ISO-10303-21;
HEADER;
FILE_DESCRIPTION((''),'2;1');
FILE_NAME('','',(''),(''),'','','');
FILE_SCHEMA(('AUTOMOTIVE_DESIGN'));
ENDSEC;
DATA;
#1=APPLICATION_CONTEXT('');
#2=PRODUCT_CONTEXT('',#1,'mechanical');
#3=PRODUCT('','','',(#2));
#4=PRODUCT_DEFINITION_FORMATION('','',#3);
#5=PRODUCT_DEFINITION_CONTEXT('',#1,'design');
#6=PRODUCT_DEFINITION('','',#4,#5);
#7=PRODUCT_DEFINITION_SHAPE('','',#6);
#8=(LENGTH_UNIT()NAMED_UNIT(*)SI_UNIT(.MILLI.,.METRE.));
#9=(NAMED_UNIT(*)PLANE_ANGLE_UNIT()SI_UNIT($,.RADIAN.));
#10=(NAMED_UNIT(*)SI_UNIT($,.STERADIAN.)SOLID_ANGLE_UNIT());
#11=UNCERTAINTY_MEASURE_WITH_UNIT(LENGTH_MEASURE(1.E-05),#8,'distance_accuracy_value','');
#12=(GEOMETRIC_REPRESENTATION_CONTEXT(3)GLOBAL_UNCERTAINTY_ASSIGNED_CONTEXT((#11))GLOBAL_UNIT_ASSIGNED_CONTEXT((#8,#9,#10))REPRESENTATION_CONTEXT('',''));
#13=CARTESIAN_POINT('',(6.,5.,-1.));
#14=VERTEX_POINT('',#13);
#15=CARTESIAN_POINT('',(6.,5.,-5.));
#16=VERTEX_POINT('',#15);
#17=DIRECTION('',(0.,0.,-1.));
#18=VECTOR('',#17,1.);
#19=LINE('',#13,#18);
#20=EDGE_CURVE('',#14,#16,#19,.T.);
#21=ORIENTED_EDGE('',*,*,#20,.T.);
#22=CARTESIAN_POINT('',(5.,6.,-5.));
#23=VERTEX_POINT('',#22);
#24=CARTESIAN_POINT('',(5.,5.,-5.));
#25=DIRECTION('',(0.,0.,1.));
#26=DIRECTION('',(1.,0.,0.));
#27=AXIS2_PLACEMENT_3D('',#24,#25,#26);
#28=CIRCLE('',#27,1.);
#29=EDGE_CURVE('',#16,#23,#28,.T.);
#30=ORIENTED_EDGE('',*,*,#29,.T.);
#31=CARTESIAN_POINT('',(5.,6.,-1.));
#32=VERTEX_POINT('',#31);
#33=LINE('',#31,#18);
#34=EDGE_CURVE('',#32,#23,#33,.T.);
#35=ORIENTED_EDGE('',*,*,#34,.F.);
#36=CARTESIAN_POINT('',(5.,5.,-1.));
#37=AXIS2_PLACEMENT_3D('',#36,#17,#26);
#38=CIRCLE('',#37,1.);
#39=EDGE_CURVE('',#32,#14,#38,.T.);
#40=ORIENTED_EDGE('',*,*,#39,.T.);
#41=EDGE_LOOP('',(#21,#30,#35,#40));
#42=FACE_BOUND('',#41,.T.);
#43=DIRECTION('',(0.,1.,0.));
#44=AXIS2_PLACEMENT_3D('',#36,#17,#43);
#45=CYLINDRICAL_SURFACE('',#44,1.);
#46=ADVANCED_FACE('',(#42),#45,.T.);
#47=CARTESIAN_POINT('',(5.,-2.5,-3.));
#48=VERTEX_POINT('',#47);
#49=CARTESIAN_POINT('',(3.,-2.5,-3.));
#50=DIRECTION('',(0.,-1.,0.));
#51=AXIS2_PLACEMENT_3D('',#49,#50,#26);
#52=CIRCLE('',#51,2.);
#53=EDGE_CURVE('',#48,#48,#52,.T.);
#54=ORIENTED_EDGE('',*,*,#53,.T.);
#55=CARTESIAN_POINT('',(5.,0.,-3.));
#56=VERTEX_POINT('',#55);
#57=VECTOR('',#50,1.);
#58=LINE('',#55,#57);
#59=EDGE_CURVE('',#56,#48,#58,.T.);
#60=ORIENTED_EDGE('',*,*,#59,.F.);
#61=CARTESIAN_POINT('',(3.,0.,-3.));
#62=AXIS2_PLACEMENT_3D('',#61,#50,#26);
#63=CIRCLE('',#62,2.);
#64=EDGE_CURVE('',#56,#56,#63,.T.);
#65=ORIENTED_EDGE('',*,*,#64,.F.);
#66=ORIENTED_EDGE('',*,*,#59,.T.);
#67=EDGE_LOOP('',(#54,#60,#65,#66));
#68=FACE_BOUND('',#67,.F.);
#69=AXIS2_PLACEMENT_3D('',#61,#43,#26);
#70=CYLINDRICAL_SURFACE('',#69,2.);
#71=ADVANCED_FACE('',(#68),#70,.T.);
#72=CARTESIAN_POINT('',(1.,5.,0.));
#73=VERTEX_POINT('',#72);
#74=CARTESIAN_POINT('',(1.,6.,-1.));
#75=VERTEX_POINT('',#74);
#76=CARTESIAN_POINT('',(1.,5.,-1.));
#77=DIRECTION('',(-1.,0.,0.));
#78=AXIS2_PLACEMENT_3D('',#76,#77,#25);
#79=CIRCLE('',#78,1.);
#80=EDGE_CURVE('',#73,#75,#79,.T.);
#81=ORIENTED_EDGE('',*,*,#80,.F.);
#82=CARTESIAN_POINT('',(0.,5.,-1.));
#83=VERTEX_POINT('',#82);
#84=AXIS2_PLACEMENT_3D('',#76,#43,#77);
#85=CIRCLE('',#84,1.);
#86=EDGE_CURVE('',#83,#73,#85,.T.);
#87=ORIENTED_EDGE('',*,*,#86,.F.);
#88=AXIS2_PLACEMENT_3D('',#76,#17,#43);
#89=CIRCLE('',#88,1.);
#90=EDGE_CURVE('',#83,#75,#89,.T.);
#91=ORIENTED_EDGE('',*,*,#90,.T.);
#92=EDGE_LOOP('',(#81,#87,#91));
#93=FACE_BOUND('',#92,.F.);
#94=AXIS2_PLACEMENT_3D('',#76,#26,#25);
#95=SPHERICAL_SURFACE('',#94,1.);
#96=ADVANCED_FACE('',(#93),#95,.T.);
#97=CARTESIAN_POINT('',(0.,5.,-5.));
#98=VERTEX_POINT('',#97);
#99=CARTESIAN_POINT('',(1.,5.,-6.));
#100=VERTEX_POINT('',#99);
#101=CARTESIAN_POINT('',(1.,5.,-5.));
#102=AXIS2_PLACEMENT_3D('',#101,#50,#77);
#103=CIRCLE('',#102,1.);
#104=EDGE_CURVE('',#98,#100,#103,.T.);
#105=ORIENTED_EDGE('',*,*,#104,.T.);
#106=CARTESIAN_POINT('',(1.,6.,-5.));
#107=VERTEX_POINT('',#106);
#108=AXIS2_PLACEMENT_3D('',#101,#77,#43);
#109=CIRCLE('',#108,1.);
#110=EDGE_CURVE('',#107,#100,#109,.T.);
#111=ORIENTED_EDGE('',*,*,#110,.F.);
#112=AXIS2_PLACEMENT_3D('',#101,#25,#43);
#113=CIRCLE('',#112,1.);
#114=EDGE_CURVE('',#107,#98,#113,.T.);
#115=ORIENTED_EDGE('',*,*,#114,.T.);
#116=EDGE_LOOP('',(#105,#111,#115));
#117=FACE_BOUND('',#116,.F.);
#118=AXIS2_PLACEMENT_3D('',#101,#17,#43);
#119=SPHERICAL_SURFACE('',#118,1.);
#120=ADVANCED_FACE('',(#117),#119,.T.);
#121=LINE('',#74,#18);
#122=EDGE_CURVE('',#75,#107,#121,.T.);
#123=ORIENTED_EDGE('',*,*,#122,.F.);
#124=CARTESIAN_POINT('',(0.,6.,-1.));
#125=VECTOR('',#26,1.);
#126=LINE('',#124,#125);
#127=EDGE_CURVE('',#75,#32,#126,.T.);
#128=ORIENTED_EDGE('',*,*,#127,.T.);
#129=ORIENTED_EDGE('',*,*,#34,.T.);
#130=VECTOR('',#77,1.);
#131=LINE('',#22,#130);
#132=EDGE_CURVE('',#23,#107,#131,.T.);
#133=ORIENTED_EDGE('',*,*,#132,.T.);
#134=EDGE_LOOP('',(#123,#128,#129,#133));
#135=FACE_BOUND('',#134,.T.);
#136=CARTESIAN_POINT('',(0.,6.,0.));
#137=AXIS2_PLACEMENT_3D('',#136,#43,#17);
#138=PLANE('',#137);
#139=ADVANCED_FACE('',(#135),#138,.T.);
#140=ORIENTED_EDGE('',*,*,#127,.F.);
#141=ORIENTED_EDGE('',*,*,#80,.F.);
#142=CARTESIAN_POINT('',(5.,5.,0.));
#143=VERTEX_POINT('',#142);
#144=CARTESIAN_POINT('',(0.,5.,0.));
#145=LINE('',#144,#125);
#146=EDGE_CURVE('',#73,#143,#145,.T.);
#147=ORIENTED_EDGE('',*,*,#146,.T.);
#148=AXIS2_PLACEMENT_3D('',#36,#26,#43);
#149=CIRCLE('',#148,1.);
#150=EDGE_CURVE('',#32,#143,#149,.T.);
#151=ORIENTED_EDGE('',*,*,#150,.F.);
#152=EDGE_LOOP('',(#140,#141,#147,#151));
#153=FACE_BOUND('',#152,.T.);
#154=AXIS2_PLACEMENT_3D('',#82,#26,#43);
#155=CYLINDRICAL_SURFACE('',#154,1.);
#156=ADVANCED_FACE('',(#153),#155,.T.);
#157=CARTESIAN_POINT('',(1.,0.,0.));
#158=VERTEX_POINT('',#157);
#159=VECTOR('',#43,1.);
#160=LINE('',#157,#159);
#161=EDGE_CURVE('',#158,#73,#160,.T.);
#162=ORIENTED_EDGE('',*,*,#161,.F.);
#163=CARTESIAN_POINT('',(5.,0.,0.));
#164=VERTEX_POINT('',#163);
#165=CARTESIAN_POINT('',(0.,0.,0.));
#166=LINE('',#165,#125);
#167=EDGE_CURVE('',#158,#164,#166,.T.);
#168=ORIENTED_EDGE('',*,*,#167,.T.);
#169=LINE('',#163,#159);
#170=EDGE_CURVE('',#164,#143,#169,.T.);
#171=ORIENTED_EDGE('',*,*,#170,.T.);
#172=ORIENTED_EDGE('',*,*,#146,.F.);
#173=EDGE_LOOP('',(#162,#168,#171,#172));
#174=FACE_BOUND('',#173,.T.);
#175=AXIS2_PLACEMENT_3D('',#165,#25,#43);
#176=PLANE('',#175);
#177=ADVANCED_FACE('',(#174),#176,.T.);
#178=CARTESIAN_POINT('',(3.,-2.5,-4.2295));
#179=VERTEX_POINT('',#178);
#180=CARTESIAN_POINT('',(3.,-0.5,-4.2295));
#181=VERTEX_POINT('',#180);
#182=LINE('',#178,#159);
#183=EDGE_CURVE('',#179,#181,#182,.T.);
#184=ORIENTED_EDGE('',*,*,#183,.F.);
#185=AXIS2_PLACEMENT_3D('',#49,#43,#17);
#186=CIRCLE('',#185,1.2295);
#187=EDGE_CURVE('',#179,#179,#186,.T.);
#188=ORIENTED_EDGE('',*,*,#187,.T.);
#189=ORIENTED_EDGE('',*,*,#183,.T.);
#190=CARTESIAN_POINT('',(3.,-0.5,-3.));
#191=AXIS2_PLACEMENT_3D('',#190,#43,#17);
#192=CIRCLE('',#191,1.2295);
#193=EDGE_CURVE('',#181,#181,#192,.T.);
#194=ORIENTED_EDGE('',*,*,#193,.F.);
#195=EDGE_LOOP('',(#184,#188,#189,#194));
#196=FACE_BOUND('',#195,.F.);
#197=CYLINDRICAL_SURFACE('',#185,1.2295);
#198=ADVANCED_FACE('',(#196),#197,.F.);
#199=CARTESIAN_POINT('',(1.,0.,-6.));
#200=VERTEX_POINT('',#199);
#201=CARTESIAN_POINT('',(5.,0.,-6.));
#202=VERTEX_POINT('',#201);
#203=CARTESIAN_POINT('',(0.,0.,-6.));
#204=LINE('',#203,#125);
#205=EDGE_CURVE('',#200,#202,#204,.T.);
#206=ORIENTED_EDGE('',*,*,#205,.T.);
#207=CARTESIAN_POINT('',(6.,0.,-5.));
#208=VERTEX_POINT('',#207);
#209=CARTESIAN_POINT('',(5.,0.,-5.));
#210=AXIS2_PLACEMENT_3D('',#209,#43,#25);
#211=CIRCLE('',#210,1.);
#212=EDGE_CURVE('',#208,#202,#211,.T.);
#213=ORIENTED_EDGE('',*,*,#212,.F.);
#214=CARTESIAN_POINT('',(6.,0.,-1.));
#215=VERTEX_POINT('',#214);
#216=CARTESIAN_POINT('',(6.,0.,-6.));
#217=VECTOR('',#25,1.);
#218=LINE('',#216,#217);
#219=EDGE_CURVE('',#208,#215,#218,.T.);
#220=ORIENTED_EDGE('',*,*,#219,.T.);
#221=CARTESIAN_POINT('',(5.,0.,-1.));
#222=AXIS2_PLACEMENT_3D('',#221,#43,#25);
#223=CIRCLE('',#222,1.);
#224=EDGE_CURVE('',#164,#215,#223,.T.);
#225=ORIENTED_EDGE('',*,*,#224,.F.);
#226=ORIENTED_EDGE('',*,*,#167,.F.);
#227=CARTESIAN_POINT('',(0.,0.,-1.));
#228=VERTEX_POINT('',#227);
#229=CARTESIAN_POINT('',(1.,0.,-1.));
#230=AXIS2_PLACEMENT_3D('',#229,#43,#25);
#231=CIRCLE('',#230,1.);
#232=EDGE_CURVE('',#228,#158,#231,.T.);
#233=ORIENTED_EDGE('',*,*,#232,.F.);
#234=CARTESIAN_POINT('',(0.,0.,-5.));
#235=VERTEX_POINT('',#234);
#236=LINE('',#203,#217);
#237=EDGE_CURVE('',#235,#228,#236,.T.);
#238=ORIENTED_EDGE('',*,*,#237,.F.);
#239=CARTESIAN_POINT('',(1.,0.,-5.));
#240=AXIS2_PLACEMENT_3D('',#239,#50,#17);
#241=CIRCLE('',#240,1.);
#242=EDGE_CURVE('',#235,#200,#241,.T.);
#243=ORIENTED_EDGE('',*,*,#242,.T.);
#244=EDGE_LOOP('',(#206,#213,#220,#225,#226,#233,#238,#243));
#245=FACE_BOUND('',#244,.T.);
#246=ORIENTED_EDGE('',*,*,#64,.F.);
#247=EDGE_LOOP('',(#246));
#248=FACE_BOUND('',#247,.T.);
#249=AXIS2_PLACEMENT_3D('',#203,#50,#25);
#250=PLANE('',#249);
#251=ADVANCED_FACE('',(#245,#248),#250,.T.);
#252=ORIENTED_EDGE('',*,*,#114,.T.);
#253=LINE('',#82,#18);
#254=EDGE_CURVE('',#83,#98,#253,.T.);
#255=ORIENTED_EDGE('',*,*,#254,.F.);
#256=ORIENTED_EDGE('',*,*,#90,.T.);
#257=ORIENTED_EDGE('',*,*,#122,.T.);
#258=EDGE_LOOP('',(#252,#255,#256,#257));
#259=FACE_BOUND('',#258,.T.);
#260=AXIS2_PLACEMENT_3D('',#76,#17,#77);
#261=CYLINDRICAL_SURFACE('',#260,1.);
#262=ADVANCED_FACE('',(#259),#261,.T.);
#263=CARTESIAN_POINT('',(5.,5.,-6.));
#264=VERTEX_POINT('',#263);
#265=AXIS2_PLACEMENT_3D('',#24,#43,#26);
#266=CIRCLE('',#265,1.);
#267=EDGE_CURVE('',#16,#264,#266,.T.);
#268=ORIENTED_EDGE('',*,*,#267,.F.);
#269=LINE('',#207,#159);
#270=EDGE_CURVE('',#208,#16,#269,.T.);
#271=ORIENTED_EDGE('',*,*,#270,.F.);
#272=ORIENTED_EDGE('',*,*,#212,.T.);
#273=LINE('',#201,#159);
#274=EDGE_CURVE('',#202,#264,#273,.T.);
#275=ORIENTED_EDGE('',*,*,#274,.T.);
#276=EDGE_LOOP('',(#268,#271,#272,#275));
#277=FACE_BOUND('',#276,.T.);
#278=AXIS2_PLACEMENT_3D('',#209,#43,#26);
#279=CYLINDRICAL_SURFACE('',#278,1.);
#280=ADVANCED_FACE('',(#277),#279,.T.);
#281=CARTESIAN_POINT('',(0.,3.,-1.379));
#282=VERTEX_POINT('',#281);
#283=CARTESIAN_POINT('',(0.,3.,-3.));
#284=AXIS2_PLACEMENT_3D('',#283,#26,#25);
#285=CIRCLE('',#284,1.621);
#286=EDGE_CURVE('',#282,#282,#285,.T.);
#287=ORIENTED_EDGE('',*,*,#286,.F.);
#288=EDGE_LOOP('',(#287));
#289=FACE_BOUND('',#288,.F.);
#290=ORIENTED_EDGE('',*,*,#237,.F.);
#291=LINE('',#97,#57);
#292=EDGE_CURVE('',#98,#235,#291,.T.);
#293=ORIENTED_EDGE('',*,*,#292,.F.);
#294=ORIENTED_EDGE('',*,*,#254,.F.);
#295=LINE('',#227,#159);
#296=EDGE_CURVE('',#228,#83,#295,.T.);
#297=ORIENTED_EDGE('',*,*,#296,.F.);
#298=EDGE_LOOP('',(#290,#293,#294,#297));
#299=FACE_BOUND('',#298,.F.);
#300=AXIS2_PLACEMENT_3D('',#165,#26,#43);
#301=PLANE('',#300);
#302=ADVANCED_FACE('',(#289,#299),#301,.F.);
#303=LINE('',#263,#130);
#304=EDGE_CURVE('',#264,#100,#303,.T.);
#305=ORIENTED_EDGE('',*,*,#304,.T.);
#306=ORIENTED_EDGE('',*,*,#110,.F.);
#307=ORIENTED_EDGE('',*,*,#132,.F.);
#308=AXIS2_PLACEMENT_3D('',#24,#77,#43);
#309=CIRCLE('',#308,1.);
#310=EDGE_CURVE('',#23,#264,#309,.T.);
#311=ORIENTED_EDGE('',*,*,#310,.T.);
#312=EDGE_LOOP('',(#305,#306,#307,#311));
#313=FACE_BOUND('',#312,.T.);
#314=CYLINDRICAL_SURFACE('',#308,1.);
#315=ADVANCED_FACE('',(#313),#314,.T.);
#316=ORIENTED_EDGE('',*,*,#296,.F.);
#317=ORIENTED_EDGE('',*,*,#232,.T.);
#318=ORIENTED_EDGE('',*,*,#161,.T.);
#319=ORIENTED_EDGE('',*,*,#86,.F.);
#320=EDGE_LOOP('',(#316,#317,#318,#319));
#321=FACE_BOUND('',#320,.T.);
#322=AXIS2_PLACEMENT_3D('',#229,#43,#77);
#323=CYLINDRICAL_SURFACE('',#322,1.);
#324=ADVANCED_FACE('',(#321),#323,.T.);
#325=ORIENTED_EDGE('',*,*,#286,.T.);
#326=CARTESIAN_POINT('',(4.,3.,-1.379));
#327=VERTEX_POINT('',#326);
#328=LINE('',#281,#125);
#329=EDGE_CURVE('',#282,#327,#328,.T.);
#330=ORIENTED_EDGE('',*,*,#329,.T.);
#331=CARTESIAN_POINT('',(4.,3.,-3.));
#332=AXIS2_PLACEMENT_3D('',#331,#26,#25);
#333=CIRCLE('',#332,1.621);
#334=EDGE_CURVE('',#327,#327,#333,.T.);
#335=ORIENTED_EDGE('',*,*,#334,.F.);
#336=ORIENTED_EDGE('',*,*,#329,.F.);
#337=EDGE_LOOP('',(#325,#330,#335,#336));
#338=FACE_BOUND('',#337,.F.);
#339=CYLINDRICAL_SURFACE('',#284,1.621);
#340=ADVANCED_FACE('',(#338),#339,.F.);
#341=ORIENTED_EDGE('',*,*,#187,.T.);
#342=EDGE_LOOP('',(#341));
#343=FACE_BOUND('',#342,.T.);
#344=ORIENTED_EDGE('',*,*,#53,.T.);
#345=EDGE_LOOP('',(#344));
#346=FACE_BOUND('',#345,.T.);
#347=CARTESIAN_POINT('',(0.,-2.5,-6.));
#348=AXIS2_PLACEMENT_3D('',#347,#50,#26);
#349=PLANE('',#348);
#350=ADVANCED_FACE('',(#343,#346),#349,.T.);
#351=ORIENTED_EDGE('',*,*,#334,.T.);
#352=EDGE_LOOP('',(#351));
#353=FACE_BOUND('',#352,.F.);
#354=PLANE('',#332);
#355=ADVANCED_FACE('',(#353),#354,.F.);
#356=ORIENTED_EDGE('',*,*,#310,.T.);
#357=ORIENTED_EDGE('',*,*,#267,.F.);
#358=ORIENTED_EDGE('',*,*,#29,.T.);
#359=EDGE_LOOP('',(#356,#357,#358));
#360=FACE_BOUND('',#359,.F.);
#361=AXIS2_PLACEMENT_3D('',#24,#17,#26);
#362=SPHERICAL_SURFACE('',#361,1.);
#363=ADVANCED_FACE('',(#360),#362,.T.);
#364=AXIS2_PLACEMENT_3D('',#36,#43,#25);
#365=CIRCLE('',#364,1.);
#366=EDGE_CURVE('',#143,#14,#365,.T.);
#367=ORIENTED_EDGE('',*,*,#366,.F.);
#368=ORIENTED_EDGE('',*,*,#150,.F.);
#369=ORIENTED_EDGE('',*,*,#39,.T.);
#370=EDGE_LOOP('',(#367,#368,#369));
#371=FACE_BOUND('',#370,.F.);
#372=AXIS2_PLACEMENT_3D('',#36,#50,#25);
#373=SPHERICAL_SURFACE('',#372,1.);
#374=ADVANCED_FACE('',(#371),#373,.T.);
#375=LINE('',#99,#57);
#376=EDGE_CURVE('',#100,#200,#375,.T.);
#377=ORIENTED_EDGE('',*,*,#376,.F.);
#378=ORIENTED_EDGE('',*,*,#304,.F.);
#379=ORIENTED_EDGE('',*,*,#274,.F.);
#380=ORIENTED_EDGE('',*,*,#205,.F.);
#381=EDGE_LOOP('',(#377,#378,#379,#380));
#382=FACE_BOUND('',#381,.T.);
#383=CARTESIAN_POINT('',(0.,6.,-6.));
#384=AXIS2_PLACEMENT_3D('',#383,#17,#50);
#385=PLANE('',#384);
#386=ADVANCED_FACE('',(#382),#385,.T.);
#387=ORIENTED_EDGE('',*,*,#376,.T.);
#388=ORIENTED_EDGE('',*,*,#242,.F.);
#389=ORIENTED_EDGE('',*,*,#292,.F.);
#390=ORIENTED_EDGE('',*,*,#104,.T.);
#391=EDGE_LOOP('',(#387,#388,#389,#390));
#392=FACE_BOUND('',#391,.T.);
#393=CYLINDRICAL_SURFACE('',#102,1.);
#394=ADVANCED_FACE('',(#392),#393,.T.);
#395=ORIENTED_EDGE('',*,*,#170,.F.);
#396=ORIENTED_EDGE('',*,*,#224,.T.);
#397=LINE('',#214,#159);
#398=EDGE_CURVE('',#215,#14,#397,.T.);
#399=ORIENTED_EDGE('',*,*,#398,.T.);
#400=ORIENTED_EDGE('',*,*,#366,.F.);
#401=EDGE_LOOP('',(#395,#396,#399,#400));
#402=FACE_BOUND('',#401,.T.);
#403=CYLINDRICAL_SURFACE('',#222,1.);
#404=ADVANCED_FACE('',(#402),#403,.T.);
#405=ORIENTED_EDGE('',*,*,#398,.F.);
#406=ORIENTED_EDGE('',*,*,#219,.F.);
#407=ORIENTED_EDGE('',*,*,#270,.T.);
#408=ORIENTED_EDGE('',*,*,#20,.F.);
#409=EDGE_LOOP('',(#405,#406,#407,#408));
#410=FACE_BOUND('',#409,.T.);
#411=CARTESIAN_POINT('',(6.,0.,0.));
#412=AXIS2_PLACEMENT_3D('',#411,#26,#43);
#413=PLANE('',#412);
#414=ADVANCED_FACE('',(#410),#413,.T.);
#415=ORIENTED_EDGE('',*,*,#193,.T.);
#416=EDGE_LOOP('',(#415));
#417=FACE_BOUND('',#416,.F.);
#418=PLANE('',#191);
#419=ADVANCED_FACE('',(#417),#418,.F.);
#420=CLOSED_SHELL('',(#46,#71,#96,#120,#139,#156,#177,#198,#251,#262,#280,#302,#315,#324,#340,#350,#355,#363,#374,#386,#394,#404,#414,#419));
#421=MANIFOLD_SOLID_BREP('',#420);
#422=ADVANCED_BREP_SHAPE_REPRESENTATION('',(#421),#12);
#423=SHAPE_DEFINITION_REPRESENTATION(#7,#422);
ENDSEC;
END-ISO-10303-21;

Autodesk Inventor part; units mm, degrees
ref_plane "YZ Plane" through (0, 0, 0) normal (1, 0, 0) x (0, 1, 0)
ref_plane "XZ Plane" through (0, 0, 0) normal (0, 1, 0) x (-1, 0, 0)
ref_plane "XY Plane" through (0, 0, 0) normal (0, 0, 1) x (1, 0, 0)
sketch "Esboço1" plane through (0, 0, 0) normal (1, 0, 0) x (0, 1, 0)
  line L0 (0, 0) -> (6, 0)
  line L1 (6, 0) -> (6, -6)
  line L2 (6, -6) -> (0, -6)
  line L3 (0, -6) -> (0, 0)
  dimension "d0" = 6
  dimension "d1" = 6
extrude "Extrusão1" add sketch "Esboço1" along normal blind 6
sketch "Esboço2" plane through (0, 0, 0) normal (0, 0, 1) x (1, 0, 0)
  point P0 (0, 0)
sketch "Esboço3" plane through (6, 0, 0) normal (1, 0, 0) x (0, 0, -1)
  line L0 (0, 6) -> (0, 0) projected
  line L1 (6, 0) -> (6, 6) projected
sketch "Esboço4" plane through (0, 0, -6) normal (0, -1, 0) x (1, 0, 0)
  line L0 (0, 0) -> (0, 6) projected
  line L1 (6, 0) -> (6, 6) projected
  circle A0 centre (3, 3) radius 2
  dimension "d5" = 4
extrude "Extrusão2" add sketch "Esboço4" along normal blind 2.5
sketch "Esboço6" plane through (0, 0, 0) normal (-1, 0, 0) x (0, 0, 1)
  line L0 (-6, 6) -> (0, 6) projected
  line L1 (0, 0) -> (-6, 0) projected
  point P0 (-3, 3)
hole "Furo2" at (0, 3, -3) direction (1, 0, 0) diameter 3.242 depth 4 thread size "M4x0.7" class "6H" standard "ANSI Metric M Profile"
fillet "Arredondamento1" radius 1 1 edges at (6, 3, 0)
fillet "Arredondamento2" radius 1 3 edges at (6, 6, -3.5) (5.7071, 6, -0.2929) (2.5, 6, 0)
fillet "Arredondamento3" radius 1 3 edges at (0, 6, -3.5) (0, 5.7071, -0.2929) (0, 2.5, 0)
fillet "Arredondamento4" radius 1 5 edges at (0, 2.5, -6) (0.2929, 5.7071, -6) (3, 6, -6) (5.7071, 5.7071, -6) (6, 2.5, -6)
sketch "Esboço7" plane through (3, -2.5, -3) normal (0, -1, 0) x (1, 0, 0)
  point P0 (-3, 3)
sketch "Esboço8" plane through (3, -2.5, -3) normal (0, -1, 0) x (1, 0, 0)
  point P0 (-3, 3)
  point P1 (0, 0)
hole "Furo3" at (3, -2.5, -3) direction (0, 1, 0) diameter 2.459 depth 2 thread size "M3x0.5" class "6H" standard "ANSI Metric M Profile"
properties part number "CONECTOR R-F"
